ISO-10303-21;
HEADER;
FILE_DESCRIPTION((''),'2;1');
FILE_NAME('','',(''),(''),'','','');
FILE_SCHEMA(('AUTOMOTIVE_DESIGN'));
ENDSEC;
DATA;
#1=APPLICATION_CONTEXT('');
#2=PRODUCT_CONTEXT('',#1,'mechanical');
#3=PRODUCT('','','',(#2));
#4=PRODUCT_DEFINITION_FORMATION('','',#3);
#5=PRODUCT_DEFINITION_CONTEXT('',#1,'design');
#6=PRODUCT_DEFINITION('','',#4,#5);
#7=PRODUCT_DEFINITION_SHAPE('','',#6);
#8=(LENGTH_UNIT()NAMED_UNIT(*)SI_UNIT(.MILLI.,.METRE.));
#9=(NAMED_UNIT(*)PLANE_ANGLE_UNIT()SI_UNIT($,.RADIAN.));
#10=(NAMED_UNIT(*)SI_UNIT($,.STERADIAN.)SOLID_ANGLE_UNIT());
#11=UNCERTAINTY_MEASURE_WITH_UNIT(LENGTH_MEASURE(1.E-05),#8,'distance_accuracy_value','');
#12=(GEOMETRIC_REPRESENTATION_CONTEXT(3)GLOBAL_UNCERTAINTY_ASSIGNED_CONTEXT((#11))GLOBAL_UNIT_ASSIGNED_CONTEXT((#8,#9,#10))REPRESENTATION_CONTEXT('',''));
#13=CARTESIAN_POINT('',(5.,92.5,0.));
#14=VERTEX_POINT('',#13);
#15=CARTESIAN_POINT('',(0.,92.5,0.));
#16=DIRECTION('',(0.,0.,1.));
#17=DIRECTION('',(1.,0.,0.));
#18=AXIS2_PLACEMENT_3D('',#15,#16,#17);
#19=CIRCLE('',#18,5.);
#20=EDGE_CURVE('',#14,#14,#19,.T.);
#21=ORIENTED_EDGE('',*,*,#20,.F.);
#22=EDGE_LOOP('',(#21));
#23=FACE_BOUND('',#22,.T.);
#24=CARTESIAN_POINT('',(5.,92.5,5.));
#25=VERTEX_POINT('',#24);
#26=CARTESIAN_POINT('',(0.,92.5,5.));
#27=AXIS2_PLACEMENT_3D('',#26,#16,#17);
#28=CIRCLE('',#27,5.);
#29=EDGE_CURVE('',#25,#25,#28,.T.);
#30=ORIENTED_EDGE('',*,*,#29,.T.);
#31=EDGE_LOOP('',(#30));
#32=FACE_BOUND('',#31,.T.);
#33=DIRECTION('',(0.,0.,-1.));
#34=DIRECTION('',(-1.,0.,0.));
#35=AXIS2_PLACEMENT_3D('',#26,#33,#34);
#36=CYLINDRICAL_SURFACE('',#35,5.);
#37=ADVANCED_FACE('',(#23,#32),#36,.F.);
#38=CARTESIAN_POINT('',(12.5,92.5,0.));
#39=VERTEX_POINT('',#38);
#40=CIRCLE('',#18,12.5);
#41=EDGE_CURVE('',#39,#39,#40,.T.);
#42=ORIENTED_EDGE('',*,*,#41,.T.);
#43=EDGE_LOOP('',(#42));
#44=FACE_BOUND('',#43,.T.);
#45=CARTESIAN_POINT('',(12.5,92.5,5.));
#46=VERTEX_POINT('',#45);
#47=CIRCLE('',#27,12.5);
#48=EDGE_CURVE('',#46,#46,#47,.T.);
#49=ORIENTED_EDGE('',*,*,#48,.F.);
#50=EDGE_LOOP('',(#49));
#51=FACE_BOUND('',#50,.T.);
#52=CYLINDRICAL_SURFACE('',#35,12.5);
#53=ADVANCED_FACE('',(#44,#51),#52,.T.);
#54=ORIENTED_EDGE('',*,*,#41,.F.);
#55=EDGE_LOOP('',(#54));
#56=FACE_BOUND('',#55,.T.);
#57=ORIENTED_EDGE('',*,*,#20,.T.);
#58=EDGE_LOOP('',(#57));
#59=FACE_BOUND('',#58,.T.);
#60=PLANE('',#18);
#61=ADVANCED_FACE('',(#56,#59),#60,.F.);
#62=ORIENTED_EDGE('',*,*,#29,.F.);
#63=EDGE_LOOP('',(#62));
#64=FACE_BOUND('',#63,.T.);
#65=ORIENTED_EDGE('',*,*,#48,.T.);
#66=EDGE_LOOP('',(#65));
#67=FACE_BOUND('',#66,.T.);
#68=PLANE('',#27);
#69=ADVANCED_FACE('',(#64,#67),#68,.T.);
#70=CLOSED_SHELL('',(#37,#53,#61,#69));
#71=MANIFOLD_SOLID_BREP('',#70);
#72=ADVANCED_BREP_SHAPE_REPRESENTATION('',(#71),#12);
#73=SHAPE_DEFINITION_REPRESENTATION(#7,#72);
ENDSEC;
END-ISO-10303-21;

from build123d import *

# Parameters (mm, degrees)
SKETCH1_R           = 12.5
SKETCH1_R_2         = 5
BOSS_EXTRUDE1_DEPTH = 5


with BuildPart() as part:
    # Sketch1 → Boss-Extrude1 (new body)
    with BuildSketch(Plane.XY):
        with Locations((0, 92.5)):
            Circle(SKETCH1_R)
        with Locations((0, 92.5)):
            Circle(SKETCH1_R_2, mode=Mode.SUBTRACT)
    extrude(amount=BOSS_EXTRUDE1_DEPTH)


solid = part.part
